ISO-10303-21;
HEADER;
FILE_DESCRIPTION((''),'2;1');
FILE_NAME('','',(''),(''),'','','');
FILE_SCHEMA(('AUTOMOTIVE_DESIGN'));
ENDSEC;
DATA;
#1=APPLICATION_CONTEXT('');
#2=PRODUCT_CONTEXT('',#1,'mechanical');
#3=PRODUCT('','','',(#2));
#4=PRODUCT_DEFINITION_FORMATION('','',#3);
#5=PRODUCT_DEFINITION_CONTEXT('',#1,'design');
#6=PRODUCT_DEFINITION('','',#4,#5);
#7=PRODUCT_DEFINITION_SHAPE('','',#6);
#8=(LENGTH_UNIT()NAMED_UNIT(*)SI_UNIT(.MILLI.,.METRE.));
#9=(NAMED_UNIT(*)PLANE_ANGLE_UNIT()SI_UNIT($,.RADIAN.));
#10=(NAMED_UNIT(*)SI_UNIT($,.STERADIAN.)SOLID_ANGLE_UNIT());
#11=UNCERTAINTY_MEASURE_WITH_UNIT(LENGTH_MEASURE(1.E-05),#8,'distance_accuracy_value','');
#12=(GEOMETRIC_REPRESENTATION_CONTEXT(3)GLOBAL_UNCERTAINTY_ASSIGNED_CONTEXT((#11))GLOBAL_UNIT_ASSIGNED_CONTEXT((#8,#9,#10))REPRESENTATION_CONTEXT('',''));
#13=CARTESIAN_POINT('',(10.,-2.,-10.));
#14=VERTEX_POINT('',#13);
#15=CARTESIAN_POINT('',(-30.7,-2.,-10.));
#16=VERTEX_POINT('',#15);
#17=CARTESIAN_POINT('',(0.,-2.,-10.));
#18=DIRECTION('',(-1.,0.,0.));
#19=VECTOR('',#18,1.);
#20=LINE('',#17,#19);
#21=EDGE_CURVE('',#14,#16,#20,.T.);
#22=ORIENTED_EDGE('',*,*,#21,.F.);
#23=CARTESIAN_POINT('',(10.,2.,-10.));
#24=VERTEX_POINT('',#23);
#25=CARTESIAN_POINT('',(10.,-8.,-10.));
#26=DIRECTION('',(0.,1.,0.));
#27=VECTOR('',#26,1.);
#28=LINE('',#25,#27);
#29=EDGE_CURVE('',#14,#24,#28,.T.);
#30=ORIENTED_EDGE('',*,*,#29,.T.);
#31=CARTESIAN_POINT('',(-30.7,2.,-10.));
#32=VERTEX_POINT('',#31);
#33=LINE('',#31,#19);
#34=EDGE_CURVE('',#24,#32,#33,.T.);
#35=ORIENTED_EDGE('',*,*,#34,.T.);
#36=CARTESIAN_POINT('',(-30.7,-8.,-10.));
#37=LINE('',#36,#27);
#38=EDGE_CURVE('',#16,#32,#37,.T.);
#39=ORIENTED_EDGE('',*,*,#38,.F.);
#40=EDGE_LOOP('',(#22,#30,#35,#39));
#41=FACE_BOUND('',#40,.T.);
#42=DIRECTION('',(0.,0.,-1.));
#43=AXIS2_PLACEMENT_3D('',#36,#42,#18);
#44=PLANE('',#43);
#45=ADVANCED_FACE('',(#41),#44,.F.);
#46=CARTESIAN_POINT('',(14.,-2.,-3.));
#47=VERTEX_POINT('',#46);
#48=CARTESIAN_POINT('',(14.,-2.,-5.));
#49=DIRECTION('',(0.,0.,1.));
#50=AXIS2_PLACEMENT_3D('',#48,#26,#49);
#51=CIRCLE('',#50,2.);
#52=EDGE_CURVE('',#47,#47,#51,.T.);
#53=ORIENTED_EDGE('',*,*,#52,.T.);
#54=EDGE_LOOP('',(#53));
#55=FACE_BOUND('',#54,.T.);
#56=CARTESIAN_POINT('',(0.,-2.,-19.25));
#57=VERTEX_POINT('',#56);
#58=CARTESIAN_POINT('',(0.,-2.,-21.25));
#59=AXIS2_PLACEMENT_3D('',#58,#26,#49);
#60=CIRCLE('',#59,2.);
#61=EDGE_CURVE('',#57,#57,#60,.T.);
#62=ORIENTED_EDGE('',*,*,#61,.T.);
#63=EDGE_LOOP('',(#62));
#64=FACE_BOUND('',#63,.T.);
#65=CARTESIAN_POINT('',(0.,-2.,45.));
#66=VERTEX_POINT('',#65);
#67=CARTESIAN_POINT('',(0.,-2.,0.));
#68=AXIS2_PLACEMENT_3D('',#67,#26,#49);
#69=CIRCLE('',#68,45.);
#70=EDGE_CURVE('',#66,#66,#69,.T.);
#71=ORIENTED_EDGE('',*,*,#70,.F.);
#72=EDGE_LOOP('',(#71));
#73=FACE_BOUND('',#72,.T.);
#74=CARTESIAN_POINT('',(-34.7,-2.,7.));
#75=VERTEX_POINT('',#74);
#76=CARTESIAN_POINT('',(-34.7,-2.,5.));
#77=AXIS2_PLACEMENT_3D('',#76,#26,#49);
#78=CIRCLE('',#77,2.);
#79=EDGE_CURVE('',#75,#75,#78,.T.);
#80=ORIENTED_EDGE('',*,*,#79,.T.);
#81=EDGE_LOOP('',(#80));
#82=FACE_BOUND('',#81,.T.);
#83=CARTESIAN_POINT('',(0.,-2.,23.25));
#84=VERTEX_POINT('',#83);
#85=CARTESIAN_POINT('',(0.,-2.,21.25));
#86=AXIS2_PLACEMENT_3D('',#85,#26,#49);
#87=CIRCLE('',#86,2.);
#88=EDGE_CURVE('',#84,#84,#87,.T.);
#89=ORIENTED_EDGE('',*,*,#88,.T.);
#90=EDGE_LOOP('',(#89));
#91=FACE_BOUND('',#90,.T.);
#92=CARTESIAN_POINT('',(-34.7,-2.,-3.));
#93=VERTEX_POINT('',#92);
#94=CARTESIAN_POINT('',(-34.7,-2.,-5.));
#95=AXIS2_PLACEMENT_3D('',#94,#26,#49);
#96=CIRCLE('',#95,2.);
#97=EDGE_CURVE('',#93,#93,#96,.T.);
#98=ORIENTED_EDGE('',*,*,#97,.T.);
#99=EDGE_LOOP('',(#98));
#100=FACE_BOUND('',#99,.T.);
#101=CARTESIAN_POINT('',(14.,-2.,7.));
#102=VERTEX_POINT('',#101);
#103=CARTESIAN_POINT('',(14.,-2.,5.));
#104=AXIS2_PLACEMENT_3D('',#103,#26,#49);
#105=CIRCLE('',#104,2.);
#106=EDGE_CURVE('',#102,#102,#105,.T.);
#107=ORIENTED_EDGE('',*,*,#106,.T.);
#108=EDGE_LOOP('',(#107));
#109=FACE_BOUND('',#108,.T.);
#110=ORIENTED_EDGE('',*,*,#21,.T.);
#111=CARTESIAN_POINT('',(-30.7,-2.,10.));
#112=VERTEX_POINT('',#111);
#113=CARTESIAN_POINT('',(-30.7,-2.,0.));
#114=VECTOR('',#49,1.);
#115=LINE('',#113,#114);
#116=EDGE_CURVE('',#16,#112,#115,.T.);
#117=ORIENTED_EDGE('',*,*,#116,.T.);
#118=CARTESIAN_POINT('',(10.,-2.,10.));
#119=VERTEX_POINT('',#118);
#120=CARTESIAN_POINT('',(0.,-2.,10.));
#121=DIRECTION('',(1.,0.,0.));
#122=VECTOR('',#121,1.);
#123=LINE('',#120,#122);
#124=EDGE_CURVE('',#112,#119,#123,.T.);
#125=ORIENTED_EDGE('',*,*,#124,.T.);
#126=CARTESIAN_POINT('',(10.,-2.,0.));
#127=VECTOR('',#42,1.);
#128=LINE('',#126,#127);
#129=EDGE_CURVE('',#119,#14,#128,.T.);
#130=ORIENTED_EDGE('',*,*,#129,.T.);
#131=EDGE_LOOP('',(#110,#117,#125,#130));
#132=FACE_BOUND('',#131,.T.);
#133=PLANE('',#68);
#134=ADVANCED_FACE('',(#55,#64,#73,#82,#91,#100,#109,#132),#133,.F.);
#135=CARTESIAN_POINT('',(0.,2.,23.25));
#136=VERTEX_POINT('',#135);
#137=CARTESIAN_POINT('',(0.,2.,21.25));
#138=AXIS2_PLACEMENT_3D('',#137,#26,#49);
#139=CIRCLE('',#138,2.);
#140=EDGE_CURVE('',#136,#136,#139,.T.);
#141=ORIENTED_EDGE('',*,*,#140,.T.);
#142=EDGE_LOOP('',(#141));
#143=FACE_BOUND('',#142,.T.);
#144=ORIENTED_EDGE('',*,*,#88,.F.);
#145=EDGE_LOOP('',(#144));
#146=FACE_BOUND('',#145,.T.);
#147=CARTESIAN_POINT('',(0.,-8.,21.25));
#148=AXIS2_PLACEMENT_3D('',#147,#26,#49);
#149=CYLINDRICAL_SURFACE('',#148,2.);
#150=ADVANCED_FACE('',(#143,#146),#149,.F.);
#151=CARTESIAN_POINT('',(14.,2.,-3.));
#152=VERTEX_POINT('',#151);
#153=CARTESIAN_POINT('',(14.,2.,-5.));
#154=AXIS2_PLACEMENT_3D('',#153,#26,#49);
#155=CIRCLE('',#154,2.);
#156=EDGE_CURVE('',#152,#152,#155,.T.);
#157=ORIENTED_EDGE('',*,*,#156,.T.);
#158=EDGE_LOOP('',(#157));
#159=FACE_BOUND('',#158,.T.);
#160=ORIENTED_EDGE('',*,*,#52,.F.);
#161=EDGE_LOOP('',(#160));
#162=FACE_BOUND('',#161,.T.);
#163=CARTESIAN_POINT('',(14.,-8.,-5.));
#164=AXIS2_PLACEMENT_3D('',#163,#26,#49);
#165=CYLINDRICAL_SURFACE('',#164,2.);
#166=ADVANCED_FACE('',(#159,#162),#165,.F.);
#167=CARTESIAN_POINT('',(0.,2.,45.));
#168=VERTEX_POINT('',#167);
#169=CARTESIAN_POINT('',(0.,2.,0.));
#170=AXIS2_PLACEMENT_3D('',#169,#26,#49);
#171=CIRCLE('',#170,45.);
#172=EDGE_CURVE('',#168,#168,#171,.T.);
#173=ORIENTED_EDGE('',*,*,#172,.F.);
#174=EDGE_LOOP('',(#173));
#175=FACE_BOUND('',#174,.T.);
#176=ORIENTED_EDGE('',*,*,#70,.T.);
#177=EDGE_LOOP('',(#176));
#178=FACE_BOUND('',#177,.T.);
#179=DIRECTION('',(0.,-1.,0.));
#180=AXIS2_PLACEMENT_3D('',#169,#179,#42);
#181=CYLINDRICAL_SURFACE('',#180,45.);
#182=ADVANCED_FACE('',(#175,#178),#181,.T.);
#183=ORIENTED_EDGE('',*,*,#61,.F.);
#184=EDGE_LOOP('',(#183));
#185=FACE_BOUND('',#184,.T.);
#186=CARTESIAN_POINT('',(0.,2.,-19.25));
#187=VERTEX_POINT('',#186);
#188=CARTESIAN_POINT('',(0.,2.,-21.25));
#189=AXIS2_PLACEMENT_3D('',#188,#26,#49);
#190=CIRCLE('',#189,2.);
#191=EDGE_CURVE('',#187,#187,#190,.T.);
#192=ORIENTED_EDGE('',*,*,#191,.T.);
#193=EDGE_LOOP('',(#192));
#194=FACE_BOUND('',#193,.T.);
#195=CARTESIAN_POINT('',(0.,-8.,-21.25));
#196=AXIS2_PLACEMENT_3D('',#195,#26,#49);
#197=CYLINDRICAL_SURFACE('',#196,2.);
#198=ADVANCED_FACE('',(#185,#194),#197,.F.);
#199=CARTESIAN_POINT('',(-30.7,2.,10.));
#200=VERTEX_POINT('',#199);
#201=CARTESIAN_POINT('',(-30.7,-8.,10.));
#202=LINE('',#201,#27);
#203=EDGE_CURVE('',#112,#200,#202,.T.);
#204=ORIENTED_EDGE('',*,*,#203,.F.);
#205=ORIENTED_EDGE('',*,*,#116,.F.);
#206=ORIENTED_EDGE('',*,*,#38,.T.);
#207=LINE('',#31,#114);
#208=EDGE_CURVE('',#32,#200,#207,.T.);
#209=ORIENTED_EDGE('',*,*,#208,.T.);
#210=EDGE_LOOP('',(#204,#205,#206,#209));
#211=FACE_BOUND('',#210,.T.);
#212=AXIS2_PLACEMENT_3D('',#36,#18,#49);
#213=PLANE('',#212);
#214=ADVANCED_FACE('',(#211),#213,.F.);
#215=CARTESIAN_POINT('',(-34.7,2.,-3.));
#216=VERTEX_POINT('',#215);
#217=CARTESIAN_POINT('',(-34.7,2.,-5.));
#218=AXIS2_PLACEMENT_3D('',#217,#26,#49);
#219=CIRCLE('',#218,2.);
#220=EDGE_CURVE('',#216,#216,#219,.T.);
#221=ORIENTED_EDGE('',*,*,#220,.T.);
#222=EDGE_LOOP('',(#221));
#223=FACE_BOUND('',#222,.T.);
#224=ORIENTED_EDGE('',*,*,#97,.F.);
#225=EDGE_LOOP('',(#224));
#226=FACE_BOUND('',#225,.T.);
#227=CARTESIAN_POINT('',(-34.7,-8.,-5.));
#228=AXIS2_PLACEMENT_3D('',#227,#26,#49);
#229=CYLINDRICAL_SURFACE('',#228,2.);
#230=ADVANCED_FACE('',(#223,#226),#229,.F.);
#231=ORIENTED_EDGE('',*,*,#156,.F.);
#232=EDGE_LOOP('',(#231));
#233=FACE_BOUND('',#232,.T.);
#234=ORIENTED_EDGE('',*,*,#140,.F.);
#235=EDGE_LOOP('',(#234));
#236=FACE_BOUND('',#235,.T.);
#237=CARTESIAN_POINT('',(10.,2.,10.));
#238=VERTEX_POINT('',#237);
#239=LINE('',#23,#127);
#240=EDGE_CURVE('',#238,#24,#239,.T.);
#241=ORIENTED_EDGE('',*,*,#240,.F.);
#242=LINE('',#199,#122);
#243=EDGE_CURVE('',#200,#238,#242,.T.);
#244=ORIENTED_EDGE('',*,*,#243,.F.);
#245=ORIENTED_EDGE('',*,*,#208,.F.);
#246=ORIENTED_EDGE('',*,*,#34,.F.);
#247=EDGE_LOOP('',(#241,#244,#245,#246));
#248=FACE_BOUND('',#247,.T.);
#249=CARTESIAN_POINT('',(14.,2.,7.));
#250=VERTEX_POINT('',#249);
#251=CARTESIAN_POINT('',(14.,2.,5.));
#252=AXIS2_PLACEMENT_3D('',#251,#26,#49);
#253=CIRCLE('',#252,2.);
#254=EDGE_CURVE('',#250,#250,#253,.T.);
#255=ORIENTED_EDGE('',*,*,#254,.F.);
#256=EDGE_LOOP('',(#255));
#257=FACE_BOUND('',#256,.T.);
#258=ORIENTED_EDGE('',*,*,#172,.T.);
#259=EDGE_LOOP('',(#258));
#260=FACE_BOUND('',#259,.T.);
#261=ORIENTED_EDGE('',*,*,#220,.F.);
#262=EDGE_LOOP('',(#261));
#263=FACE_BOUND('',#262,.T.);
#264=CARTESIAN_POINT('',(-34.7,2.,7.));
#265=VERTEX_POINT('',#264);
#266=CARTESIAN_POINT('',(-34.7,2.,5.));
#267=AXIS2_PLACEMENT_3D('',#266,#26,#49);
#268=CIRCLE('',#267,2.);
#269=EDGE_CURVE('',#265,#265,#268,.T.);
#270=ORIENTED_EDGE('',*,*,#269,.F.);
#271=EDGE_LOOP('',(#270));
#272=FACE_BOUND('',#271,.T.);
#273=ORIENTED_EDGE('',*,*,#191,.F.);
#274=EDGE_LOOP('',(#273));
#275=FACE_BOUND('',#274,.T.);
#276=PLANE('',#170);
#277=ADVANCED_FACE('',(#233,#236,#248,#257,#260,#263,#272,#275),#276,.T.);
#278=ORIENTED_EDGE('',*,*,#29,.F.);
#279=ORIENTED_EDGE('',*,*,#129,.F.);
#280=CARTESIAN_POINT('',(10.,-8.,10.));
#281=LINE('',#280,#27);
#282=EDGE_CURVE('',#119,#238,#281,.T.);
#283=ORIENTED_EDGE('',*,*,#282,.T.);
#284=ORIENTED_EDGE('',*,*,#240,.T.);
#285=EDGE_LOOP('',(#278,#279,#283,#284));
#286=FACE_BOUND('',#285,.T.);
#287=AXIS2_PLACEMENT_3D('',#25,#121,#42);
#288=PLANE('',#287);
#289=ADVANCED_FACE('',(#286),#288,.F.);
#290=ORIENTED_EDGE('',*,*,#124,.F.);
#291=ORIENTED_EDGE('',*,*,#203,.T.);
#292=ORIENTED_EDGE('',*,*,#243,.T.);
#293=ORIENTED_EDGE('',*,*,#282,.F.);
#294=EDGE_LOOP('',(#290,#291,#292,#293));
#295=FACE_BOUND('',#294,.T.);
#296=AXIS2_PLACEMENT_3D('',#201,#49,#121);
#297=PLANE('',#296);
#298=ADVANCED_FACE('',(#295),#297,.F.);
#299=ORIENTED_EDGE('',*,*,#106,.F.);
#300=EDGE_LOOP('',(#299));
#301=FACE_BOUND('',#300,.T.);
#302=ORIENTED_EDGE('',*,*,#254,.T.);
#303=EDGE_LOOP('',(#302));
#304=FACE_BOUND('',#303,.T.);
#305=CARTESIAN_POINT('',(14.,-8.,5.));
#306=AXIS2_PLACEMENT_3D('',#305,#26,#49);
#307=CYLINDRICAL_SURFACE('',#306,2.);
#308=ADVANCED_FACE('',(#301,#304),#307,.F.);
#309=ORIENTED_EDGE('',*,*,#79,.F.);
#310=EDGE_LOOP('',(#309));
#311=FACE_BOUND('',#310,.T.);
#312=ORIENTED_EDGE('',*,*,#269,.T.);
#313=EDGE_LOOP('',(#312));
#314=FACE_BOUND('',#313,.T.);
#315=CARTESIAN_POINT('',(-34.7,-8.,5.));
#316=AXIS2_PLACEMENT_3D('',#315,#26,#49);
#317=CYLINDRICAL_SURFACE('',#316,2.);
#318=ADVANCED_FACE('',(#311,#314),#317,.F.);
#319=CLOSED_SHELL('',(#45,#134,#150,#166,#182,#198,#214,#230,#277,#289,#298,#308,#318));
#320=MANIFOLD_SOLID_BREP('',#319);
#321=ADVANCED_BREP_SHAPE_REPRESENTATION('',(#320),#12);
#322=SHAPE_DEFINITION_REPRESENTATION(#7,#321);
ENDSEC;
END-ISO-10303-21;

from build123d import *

# Parameters (mm, degrees)
SCHIZZO1_R                   = 45
ESTRUSIONE_ESTRUSIONE1_DEPTH = 2
CROQUIS1_R                   = 2
CROQUIS1_W                   = 40.7
CROQUIS1_H                   = 20
CORTAR_EXTRUIR1_DEPTH        = 10


with BuildPart() as part:
    # Schizzo1 → Estrusione-Estrusione1 (new body, symmetric)
    with BuildSketch(Plane(origin=(0, 0, 0), x_dir=(1, 0, 0), z_dir=(0, 1, 0))):
        Circle(SCHIZZO1_R)
    extrude(amount=ESTRUSIONE_ESTRUSIONE1_DEPTH, both=True)

    # Croquis1 → Cortar-Extruir1 (cut)
    with BuildSketch(Plane(origin=(0, 2, 0), x_dir=(1, 0, 0), z_dir=(0, 1, 0))):
        with Locations((-34.7, 5)):
            Circle(CROQUIS1_R)
        with Locations((-34.7, -5)):
            Circle(CROQUIS1_R)
        with Locations((0, -21.25)):
            Circle(CROQUIS1_R)
        with Locations((0, 21.25)):
            Circle(CROQUIS1_R)
        with Locations((14, 5)):
            Circle(CROQUIS1_R)
        with Locations((14, -5)):
            Circle(CROQUIS1_R)
        with Locations((-10.35, 0)):
            Rectangle(CROQUIS1_W, CROQUIS1_H)
    extrude(amount=-CORTAR_EXTRUIR1_DEPTH, mode=Mode.SUBTRACT)


solid = part.part
